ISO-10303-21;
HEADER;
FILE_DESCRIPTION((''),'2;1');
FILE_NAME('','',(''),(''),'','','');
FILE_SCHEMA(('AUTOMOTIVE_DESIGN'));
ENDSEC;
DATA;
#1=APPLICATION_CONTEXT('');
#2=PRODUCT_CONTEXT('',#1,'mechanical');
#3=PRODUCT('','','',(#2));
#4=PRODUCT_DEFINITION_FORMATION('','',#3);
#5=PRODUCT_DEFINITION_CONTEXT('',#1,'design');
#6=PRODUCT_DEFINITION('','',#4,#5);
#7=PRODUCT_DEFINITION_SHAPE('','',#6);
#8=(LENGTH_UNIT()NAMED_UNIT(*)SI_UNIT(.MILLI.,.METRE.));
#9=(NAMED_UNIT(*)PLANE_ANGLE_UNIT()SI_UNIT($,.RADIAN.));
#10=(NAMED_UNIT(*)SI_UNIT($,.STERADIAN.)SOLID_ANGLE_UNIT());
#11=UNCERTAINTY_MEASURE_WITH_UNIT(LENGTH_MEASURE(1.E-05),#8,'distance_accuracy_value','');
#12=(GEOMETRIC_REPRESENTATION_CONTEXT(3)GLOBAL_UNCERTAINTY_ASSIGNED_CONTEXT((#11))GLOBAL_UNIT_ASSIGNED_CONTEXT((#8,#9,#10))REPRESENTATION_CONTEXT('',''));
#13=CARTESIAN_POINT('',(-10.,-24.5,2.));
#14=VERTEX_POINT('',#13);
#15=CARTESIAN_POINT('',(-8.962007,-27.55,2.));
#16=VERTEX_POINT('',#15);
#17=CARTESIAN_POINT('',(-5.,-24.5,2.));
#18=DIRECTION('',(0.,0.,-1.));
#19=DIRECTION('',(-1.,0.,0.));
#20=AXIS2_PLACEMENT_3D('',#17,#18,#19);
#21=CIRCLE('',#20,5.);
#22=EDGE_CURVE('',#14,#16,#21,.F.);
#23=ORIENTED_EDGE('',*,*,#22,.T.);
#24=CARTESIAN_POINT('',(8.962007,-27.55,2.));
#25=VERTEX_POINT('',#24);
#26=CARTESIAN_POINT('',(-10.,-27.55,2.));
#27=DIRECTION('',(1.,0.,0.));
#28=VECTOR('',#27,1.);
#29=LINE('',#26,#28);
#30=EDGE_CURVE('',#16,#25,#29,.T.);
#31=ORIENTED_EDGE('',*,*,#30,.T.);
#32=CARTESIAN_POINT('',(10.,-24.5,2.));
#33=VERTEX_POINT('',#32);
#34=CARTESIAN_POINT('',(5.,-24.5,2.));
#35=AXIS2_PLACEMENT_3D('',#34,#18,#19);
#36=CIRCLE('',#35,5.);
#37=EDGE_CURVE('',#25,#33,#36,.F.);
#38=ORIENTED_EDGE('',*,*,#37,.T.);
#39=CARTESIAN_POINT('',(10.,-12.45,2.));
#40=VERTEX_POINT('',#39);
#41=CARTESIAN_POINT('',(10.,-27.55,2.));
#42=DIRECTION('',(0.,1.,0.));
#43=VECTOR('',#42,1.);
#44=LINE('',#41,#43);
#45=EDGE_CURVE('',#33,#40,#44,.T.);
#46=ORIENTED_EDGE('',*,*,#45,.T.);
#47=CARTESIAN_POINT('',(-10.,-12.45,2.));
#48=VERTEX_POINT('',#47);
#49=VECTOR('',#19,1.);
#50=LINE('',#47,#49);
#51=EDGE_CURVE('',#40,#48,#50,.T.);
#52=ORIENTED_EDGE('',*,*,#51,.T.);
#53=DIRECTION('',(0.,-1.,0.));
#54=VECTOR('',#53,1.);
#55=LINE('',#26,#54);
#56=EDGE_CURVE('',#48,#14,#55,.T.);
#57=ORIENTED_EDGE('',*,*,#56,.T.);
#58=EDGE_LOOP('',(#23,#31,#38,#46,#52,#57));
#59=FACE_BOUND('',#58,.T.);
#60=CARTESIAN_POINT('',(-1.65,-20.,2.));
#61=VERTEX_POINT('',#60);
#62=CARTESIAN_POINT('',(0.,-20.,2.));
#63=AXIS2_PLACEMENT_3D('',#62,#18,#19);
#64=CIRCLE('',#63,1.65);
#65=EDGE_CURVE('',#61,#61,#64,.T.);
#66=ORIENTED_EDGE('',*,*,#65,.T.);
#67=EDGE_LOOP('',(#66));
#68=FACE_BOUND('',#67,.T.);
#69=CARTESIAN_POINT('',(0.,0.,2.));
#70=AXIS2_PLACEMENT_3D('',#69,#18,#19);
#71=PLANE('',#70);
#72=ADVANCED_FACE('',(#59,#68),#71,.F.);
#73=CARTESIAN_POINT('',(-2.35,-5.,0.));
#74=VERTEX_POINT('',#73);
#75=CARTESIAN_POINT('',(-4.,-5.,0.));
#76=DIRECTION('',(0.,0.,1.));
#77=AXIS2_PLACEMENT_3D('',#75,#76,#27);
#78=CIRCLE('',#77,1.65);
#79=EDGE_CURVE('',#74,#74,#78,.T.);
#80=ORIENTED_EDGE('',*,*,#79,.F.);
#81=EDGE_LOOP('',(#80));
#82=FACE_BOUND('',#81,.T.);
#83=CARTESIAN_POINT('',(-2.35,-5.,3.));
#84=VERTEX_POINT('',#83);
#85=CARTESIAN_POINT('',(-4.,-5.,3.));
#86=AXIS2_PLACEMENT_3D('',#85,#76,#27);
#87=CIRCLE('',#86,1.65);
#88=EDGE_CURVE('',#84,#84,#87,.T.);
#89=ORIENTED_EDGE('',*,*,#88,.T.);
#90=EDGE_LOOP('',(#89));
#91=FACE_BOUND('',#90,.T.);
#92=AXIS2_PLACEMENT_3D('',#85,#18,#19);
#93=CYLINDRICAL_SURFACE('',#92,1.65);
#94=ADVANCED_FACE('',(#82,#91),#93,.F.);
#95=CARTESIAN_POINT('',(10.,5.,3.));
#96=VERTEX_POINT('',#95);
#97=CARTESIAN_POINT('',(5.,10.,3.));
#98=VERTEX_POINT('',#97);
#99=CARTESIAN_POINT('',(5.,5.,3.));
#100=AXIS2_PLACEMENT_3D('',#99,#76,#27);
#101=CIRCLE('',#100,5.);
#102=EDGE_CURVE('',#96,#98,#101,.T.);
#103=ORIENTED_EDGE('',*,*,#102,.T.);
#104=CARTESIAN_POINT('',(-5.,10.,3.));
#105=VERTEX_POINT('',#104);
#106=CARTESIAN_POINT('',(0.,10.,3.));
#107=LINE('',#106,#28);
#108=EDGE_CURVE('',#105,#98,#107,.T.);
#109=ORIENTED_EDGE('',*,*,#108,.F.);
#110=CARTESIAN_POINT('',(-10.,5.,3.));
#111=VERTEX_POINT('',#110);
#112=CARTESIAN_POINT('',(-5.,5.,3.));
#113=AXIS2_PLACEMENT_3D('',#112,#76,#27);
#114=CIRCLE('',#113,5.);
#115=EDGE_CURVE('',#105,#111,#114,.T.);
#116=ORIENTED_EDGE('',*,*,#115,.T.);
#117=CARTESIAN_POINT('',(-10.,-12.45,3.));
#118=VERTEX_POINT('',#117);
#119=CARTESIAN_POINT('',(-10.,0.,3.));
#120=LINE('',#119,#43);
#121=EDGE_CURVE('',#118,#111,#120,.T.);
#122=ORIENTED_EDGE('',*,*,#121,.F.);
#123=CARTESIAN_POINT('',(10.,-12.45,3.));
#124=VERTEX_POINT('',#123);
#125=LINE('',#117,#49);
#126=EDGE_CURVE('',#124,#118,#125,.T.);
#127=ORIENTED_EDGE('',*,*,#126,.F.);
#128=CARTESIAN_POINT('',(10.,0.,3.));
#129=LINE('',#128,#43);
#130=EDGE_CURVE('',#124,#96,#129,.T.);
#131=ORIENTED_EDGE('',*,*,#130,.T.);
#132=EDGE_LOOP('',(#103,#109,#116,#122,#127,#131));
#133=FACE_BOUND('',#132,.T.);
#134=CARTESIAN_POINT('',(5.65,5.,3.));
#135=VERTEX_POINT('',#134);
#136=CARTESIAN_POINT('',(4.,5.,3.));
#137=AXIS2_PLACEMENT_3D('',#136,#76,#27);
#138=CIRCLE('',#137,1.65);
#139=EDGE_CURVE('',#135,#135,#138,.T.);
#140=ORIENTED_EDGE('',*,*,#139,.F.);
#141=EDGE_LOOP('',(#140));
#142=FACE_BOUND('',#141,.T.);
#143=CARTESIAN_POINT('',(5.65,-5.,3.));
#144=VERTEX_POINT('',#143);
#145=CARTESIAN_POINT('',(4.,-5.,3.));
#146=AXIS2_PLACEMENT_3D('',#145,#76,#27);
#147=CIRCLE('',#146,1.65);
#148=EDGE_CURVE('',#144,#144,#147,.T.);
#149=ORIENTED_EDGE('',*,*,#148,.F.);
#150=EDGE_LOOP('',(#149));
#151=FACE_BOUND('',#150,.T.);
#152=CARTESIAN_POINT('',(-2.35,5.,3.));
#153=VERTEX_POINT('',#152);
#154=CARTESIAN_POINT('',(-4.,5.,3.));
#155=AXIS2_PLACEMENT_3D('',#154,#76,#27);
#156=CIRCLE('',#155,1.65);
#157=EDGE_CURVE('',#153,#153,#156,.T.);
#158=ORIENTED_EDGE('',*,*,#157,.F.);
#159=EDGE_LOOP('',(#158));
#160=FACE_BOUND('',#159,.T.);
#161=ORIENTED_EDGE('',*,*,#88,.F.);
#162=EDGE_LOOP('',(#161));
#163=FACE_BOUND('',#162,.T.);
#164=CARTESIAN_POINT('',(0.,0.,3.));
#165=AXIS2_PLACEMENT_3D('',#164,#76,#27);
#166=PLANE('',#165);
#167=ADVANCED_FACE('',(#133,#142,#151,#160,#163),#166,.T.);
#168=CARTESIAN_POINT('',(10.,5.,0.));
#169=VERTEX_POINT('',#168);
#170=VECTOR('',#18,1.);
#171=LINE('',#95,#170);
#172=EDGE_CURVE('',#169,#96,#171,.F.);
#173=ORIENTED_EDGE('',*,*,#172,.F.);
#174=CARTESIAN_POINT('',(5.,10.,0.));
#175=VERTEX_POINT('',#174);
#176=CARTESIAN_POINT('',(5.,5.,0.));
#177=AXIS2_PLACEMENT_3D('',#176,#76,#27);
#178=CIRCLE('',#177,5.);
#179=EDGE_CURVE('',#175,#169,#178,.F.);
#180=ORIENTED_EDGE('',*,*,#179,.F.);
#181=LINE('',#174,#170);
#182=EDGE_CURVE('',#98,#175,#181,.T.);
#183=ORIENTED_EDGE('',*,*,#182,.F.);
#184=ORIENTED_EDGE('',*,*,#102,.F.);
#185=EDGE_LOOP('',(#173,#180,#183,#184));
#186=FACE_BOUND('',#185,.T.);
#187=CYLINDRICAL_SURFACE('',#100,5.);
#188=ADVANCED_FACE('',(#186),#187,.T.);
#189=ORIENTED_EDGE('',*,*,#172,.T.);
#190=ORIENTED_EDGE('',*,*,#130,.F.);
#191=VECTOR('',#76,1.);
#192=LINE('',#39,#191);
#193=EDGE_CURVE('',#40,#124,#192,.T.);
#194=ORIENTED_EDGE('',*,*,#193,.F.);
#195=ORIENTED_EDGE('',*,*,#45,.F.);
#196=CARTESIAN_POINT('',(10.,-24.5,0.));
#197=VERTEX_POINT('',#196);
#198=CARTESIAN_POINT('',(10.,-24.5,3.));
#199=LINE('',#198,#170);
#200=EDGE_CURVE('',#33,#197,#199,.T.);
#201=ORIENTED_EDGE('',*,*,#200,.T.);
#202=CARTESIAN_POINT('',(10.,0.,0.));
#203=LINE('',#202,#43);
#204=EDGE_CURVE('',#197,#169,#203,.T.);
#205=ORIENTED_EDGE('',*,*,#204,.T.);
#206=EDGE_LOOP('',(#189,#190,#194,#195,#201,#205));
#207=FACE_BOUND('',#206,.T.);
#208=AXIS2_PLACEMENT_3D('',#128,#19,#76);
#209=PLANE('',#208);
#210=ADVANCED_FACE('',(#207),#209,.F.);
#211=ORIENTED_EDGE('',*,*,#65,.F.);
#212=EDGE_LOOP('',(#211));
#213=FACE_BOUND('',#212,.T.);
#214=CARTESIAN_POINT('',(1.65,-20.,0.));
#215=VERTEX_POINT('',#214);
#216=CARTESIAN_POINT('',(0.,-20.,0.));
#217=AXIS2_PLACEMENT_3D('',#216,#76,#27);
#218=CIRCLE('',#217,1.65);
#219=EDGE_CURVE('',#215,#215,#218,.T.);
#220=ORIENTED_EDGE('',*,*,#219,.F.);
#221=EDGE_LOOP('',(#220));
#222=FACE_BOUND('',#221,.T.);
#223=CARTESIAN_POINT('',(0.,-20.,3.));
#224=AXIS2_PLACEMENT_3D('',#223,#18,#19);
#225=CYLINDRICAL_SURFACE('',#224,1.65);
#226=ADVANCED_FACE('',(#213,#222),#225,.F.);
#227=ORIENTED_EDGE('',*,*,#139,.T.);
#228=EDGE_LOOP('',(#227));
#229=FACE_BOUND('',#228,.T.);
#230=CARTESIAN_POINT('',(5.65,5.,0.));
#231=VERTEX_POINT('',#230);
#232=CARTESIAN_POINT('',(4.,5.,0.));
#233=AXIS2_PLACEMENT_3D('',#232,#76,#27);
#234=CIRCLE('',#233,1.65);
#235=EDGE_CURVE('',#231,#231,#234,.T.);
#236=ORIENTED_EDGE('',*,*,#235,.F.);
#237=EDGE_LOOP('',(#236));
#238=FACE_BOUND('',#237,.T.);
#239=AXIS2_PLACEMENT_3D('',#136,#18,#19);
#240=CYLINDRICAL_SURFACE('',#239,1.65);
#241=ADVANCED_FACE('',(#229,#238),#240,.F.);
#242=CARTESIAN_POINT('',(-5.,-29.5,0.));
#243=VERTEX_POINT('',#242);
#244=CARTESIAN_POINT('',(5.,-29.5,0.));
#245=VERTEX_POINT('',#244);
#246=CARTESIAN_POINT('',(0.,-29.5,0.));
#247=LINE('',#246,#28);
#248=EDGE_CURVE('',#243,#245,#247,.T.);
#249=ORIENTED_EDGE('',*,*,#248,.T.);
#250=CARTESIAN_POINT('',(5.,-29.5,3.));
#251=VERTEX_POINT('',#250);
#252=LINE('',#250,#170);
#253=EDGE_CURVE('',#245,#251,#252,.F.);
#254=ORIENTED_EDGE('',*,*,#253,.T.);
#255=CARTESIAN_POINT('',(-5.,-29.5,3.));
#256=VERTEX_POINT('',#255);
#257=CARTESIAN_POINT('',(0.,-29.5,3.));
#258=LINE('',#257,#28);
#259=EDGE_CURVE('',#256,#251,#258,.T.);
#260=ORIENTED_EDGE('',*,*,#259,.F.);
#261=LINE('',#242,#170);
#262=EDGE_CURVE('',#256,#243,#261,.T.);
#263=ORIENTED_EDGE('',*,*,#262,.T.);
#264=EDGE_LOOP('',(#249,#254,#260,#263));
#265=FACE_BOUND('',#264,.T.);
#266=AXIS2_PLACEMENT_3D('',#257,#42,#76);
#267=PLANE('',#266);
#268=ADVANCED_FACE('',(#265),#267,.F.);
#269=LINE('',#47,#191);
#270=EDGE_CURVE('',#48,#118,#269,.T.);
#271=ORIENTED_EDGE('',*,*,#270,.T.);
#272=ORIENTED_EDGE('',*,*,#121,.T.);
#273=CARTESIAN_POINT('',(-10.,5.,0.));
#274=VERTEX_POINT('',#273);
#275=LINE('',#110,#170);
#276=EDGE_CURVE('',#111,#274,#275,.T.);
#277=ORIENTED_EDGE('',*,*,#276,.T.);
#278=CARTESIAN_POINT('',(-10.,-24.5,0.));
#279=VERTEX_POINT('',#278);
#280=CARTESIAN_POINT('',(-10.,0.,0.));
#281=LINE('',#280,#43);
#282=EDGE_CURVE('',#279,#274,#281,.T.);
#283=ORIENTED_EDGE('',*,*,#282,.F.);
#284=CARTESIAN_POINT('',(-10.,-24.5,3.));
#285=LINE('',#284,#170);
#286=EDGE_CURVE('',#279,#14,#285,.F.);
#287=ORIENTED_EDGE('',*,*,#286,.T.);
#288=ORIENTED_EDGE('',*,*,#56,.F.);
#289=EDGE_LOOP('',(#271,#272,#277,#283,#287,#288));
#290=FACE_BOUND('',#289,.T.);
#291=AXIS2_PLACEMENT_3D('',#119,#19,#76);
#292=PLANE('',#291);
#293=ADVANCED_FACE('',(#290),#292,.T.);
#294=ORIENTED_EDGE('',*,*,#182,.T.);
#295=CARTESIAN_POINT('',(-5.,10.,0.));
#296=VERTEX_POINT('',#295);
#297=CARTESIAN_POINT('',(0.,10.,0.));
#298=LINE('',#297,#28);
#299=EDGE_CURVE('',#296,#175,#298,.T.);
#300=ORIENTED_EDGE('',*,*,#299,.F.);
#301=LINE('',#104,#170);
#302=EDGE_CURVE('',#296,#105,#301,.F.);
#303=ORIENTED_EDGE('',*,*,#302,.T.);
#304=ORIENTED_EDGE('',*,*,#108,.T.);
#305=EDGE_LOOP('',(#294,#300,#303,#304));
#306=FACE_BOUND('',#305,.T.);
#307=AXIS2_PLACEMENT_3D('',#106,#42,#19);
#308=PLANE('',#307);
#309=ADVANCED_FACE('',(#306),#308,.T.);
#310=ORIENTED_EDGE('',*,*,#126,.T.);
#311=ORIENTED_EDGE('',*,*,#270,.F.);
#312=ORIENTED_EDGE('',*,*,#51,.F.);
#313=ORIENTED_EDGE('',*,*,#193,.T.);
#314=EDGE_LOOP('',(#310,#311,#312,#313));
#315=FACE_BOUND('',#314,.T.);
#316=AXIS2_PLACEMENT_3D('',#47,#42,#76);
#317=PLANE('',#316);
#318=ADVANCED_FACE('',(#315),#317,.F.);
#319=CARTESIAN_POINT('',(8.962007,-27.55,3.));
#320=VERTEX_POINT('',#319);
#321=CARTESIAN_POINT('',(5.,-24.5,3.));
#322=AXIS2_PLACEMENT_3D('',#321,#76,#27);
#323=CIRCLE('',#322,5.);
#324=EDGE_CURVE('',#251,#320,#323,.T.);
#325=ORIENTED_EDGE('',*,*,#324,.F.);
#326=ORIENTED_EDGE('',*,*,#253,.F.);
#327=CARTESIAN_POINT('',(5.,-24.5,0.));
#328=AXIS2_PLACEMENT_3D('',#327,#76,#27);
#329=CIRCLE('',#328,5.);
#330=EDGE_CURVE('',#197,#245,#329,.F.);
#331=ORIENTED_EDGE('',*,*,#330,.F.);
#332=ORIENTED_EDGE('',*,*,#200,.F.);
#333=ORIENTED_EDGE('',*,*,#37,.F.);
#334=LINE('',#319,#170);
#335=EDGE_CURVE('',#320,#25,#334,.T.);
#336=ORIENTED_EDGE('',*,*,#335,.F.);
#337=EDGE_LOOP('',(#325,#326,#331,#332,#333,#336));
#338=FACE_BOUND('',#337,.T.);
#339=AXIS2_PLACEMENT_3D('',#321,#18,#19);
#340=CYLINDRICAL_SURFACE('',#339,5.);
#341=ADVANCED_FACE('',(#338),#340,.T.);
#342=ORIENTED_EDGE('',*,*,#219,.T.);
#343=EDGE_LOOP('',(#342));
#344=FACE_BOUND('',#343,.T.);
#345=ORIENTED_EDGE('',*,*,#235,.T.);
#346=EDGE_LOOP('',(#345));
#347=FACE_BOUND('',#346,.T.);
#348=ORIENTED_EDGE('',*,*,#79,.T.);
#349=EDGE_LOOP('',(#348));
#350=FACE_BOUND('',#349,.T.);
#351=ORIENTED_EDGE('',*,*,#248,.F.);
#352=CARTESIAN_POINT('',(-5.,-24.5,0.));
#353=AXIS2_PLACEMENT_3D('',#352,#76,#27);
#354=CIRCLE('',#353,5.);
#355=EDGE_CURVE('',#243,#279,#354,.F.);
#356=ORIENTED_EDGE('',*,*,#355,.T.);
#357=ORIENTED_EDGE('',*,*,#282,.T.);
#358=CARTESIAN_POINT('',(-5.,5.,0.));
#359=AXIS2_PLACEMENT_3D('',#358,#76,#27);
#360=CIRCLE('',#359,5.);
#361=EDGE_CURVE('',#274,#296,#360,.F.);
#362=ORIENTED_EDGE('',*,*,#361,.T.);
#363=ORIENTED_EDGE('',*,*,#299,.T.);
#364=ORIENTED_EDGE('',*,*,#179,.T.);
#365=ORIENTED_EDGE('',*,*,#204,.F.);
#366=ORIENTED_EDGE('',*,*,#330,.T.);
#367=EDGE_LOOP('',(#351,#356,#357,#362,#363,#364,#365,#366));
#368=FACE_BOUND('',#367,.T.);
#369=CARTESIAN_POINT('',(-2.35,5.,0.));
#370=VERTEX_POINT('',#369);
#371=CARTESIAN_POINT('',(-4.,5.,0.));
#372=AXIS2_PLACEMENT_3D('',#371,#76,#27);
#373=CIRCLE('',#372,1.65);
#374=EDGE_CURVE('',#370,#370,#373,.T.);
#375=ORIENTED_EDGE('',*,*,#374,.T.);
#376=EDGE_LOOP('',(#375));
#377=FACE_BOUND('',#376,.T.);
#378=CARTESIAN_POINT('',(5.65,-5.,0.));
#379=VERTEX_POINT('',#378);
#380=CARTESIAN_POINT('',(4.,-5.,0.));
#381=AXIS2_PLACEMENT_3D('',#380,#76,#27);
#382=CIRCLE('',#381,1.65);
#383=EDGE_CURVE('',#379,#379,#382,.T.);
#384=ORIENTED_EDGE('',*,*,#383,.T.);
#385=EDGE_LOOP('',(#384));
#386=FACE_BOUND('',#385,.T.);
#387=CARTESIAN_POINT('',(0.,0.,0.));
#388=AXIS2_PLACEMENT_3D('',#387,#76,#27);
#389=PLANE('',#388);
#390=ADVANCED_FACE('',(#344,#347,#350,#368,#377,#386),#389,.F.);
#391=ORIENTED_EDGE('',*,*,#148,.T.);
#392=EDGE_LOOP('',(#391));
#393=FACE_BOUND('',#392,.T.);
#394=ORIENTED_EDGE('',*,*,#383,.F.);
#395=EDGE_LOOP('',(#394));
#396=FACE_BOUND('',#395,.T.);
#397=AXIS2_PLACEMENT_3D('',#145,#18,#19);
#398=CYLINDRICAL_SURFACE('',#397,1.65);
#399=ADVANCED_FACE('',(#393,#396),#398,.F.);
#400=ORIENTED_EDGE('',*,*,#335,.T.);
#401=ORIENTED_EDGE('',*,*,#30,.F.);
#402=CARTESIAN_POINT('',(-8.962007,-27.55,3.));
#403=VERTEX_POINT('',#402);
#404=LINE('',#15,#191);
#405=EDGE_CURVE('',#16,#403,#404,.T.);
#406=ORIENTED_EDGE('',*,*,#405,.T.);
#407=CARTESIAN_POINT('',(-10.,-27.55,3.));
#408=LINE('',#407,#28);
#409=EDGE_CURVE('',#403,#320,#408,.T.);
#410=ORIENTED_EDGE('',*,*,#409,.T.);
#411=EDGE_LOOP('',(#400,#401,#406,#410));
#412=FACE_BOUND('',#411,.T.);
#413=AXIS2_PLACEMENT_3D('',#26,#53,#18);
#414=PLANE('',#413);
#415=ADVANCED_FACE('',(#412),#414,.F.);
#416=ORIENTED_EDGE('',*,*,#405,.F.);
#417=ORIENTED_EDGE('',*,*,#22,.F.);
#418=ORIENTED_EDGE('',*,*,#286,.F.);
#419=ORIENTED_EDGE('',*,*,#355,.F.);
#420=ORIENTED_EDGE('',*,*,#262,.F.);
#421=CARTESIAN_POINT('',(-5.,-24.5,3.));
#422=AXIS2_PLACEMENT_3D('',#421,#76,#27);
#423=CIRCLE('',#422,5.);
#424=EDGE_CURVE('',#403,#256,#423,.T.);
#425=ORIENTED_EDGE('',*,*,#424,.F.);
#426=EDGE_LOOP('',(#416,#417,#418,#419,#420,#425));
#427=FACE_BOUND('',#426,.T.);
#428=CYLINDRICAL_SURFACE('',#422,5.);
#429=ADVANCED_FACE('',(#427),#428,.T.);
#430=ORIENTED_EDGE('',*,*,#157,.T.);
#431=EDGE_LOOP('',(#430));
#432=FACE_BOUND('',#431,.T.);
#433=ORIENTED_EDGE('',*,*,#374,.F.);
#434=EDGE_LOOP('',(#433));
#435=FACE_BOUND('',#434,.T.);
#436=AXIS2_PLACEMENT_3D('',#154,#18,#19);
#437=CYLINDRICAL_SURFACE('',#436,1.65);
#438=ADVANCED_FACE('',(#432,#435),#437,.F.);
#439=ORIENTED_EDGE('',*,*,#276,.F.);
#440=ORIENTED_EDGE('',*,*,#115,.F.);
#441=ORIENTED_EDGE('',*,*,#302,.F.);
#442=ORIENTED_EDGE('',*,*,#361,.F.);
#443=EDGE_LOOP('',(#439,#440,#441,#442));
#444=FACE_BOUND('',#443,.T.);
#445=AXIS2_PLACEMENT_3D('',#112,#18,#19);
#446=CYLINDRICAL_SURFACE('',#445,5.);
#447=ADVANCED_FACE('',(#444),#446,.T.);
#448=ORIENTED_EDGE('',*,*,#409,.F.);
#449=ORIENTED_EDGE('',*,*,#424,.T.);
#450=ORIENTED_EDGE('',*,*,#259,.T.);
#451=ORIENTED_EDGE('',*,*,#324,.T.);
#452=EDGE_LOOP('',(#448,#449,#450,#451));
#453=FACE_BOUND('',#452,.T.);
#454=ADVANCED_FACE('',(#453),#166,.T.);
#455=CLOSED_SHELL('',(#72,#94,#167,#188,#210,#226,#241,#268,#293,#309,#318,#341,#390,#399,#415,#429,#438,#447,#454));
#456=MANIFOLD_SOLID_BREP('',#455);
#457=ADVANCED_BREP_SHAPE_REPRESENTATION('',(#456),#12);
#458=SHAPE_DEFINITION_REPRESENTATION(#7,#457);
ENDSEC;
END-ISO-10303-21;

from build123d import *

# Parameters (mm, degrees)
SKETCH_2_W          = 20
SKETCH_2_H          = 39.5
SKETCH_2_R          = 1.65
EXTRUDE_1_DEPTH     = 3
SKETCH_3_W          = 20
SKETCH_3_H          = 15.1
CUT_EXTRUDE_1_DEPTH = 1
FILLET_2_R          = 5


with BuildPart() as part:
    # ｽｹｯﾁ2 → ﾎﾞｽ - 押し出し1 (new body)
    with BuildSketch(Plane.XY):
        with Locations((0, -9.75)):
            Rectangle(SKETCH_2_W, SKETCH_2_H)
        with Locations((-4, 5)):
            Circle(SKETCH_2_R, mode=Mode.SUBTRACT)
        with Locations((-4, -5)):
            Circle(SKETCH_2_R, mode=Mode.SUBTRACT)
        with Locations((4, -5)):
            Circle(SKETCH_2_R, mode=Mode.SUBTRACT)
        with Locations((4, 5)):
            Circle(SKETCH_2_R, mode=Mode.SUBTRACT)
        with Locations((0, -20)):
            Circle(SKETCH_2_R, mode=Mode.SUBTRACT)
    extrude(amount=EXTRUDE_1_DEPTH)

    # ｽｹｯﾁ3 → ｶｯﾄ - 押し出し1 (cut)
    with BuildSketch(Plane.XY.offset(3)):
        with Locations((0, -20)):
            Rectangle(SKETCH_3_W, SKETCH_3_H)
    extrude(amount=-CUT_EXTRUDE_1_DEPTH, mode=Mode.SUBTRACT)

    # ﾌｨﾚｯﾄ2
    fillet_2_edges = [part.edges().sort_by_distance(p)[0] for p in [
        (-10, -29.5, 1.5),
        (10, -29.5, 1.5),
        (-10, 10, 1.5),
        (10, 10, 1.5),
    ]]
    fillet(fillet_2_edges, radius=FILLET_2_R)


solid = part.part
